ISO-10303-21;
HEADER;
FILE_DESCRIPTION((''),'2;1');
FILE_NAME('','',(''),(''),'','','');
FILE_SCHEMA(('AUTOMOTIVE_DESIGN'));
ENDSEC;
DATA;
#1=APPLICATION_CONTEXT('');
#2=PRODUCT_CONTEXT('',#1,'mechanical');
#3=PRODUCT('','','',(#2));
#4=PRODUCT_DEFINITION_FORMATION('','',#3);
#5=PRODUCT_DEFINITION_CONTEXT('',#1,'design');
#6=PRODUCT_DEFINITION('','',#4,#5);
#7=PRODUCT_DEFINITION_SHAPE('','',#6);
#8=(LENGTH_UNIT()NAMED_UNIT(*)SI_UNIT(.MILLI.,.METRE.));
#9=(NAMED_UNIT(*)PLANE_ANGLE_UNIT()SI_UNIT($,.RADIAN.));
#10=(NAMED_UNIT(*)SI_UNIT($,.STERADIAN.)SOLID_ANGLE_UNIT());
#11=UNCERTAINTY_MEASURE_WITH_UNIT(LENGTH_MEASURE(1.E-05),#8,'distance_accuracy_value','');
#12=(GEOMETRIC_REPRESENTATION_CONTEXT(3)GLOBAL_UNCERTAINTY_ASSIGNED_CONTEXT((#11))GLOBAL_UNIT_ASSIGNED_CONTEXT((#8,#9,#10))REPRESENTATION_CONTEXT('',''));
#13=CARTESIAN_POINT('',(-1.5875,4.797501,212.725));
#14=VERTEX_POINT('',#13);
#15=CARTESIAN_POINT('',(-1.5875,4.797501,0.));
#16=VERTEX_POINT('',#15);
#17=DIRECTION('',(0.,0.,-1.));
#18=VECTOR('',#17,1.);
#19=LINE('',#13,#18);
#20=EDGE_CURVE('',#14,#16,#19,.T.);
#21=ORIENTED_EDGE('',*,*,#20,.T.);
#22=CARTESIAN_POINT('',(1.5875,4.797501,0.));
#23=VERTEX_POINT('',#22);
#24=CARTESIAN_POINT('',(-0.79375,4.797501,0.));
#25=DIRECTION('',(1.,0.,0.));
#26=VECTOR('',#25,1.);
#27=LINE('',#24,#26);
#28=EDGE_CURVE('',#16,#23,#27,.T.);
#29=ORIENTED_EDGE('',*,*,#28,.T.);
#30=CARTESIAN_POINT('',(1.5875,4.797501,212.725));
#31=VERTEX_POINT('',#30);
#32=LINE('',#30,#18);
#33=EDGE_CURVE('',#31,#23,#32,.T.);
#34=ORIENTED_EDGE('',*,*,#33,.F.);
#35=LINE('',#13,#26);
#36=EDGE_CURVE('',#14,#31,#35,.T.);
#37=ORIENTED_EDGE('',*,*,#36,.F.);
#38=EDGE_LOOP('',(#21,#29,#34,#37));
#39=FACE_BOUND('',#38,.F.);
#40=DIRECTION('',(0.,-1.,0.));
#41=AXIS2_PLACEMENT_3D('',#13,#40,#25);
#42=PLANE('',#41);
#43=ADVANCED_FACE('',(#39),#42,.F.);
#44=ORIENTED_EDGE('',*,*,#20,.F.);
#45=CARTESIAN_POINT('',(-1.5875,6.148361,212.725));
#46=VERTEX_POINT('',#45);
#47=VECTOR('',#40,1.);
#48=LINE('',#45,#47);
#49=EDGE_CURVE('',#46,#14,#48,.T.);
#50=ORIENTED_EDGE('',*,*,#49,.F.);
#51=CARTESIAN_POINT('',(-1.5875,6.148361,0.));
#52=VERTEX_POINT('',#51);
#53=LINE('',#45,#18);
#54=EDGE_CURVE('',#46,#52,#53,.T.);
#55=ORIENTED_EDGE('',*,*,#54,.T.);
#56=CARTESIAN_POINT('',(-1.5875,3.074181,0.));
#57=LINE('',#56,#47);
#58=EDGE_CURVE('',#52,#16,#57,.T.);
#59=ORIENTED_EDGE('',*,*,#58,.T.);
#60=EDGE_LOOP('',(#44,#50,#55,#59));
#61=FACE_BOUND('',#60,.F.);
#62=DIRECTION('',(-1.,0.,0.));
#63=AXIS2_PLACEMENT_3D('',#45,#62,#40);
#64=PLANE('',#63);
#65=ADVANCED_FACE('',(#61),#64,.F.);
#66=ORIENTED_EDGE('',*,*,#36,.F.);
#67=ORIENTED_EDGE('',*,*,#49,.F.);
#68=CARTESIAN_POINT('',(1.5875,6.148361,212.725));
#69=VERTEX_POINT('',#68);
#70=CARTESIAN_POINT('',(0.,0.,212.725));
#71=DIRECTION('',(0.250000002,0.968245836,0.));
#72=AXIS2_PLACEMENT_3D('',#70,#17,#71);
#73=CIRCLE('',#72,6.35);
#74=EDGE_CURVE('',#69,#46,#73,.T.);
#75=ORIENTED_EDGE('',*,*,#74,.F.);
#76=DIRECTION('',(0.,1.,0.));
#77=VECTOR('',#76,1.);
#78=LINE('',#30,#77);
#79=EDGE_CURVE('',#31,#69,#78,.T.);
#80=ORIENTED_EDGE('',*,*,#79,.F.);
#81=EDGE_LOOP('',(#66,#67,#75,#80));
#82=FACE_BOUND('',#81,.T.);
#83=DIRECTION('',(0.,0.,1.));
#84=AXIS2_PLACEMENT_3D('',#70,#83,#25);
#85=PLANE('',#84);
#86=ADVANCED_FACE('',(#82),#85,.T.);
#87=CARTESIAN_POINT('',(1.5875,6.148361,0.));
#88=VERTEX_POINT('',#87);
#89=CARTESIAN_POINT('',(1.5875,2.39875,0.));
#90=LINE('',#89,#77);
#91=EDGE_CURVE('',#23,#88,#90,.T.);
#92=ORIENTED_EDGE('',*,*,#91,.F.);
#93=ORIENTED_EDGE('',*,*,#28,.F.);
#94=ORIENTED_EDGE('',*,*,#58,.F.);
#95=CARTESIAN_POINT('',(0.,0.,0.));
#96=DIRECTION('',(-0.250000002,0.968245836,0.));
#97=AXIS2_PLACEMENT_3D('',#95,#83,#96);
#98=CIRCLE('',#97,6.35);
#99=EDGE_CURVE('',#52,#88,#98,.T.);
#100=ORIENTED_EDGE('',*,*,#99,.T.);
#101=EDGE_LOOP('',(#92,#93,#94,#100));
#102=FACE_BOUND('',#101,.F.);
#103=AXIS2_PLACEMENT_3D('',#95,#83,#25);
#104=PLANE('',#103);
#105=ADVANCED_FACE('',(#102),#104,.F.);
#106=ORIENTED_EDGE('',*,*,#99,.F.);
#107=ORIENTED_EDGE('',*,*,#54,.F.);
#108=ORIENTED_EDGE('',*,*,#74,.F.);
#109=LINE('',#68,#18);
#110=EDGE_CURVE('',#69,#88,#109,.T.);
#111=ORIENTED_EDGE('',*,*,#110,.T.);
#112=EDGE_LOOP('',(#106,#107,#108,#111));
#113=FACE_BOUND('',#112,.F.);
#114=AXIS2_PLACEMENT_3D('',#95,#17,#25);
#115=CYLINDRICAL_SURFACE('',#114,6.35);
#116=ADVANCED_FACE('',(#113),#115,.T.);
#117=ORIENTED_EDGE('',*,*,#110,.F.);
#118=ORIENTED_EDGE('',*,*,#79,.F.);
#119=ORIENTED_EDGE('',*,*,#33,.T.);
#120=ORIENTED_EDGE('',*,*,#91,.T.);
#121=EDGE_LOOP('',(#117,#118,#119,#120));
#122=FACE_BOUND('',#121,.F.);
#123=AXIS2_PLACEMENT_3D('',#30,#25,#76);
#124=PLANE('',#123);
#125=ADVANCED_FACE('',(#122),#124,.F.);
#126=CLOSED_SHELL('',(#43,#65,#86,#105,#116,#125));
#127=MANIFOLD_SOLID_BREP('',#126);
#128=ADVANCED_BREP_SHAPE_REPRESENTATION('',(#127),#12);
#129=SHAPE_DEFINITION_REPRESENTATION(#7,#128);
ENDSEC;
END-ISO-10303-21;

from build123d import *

# Parameters (mm, degrees)
F0_R     = 6.35
F1_DEPTH = 212.725
F3_DEPTH = 212.726


with BuildPart() as f1:
    # F0 (on Top) → F1 (new body)
    with BuildSketch(Plane.XY):
        Circle(F0_R)
    extrude(amount=F1_DEPTH)

    # F2 (on face) → F3 (cut, through all)
    with BuildSketch(Plane.XY.offset(212.725)):
        with BuildLine():
            Line((-1.5875, 4.797501), (1.5875, 4.797501))
            Line((1.5875, 4.797501), (1.5875, 6.148361))
            ThreePointArc((1.5875, 6.148361), (0, 6.35), (-1.5875, 6.148361))
            Line((-1.5875, 6.148361), (-1.5875, 4.797501))
        make_face()
    extrude(amount=-F3_DEPTH, mode=Mode.SUBTRACT)


solid = f1.part
